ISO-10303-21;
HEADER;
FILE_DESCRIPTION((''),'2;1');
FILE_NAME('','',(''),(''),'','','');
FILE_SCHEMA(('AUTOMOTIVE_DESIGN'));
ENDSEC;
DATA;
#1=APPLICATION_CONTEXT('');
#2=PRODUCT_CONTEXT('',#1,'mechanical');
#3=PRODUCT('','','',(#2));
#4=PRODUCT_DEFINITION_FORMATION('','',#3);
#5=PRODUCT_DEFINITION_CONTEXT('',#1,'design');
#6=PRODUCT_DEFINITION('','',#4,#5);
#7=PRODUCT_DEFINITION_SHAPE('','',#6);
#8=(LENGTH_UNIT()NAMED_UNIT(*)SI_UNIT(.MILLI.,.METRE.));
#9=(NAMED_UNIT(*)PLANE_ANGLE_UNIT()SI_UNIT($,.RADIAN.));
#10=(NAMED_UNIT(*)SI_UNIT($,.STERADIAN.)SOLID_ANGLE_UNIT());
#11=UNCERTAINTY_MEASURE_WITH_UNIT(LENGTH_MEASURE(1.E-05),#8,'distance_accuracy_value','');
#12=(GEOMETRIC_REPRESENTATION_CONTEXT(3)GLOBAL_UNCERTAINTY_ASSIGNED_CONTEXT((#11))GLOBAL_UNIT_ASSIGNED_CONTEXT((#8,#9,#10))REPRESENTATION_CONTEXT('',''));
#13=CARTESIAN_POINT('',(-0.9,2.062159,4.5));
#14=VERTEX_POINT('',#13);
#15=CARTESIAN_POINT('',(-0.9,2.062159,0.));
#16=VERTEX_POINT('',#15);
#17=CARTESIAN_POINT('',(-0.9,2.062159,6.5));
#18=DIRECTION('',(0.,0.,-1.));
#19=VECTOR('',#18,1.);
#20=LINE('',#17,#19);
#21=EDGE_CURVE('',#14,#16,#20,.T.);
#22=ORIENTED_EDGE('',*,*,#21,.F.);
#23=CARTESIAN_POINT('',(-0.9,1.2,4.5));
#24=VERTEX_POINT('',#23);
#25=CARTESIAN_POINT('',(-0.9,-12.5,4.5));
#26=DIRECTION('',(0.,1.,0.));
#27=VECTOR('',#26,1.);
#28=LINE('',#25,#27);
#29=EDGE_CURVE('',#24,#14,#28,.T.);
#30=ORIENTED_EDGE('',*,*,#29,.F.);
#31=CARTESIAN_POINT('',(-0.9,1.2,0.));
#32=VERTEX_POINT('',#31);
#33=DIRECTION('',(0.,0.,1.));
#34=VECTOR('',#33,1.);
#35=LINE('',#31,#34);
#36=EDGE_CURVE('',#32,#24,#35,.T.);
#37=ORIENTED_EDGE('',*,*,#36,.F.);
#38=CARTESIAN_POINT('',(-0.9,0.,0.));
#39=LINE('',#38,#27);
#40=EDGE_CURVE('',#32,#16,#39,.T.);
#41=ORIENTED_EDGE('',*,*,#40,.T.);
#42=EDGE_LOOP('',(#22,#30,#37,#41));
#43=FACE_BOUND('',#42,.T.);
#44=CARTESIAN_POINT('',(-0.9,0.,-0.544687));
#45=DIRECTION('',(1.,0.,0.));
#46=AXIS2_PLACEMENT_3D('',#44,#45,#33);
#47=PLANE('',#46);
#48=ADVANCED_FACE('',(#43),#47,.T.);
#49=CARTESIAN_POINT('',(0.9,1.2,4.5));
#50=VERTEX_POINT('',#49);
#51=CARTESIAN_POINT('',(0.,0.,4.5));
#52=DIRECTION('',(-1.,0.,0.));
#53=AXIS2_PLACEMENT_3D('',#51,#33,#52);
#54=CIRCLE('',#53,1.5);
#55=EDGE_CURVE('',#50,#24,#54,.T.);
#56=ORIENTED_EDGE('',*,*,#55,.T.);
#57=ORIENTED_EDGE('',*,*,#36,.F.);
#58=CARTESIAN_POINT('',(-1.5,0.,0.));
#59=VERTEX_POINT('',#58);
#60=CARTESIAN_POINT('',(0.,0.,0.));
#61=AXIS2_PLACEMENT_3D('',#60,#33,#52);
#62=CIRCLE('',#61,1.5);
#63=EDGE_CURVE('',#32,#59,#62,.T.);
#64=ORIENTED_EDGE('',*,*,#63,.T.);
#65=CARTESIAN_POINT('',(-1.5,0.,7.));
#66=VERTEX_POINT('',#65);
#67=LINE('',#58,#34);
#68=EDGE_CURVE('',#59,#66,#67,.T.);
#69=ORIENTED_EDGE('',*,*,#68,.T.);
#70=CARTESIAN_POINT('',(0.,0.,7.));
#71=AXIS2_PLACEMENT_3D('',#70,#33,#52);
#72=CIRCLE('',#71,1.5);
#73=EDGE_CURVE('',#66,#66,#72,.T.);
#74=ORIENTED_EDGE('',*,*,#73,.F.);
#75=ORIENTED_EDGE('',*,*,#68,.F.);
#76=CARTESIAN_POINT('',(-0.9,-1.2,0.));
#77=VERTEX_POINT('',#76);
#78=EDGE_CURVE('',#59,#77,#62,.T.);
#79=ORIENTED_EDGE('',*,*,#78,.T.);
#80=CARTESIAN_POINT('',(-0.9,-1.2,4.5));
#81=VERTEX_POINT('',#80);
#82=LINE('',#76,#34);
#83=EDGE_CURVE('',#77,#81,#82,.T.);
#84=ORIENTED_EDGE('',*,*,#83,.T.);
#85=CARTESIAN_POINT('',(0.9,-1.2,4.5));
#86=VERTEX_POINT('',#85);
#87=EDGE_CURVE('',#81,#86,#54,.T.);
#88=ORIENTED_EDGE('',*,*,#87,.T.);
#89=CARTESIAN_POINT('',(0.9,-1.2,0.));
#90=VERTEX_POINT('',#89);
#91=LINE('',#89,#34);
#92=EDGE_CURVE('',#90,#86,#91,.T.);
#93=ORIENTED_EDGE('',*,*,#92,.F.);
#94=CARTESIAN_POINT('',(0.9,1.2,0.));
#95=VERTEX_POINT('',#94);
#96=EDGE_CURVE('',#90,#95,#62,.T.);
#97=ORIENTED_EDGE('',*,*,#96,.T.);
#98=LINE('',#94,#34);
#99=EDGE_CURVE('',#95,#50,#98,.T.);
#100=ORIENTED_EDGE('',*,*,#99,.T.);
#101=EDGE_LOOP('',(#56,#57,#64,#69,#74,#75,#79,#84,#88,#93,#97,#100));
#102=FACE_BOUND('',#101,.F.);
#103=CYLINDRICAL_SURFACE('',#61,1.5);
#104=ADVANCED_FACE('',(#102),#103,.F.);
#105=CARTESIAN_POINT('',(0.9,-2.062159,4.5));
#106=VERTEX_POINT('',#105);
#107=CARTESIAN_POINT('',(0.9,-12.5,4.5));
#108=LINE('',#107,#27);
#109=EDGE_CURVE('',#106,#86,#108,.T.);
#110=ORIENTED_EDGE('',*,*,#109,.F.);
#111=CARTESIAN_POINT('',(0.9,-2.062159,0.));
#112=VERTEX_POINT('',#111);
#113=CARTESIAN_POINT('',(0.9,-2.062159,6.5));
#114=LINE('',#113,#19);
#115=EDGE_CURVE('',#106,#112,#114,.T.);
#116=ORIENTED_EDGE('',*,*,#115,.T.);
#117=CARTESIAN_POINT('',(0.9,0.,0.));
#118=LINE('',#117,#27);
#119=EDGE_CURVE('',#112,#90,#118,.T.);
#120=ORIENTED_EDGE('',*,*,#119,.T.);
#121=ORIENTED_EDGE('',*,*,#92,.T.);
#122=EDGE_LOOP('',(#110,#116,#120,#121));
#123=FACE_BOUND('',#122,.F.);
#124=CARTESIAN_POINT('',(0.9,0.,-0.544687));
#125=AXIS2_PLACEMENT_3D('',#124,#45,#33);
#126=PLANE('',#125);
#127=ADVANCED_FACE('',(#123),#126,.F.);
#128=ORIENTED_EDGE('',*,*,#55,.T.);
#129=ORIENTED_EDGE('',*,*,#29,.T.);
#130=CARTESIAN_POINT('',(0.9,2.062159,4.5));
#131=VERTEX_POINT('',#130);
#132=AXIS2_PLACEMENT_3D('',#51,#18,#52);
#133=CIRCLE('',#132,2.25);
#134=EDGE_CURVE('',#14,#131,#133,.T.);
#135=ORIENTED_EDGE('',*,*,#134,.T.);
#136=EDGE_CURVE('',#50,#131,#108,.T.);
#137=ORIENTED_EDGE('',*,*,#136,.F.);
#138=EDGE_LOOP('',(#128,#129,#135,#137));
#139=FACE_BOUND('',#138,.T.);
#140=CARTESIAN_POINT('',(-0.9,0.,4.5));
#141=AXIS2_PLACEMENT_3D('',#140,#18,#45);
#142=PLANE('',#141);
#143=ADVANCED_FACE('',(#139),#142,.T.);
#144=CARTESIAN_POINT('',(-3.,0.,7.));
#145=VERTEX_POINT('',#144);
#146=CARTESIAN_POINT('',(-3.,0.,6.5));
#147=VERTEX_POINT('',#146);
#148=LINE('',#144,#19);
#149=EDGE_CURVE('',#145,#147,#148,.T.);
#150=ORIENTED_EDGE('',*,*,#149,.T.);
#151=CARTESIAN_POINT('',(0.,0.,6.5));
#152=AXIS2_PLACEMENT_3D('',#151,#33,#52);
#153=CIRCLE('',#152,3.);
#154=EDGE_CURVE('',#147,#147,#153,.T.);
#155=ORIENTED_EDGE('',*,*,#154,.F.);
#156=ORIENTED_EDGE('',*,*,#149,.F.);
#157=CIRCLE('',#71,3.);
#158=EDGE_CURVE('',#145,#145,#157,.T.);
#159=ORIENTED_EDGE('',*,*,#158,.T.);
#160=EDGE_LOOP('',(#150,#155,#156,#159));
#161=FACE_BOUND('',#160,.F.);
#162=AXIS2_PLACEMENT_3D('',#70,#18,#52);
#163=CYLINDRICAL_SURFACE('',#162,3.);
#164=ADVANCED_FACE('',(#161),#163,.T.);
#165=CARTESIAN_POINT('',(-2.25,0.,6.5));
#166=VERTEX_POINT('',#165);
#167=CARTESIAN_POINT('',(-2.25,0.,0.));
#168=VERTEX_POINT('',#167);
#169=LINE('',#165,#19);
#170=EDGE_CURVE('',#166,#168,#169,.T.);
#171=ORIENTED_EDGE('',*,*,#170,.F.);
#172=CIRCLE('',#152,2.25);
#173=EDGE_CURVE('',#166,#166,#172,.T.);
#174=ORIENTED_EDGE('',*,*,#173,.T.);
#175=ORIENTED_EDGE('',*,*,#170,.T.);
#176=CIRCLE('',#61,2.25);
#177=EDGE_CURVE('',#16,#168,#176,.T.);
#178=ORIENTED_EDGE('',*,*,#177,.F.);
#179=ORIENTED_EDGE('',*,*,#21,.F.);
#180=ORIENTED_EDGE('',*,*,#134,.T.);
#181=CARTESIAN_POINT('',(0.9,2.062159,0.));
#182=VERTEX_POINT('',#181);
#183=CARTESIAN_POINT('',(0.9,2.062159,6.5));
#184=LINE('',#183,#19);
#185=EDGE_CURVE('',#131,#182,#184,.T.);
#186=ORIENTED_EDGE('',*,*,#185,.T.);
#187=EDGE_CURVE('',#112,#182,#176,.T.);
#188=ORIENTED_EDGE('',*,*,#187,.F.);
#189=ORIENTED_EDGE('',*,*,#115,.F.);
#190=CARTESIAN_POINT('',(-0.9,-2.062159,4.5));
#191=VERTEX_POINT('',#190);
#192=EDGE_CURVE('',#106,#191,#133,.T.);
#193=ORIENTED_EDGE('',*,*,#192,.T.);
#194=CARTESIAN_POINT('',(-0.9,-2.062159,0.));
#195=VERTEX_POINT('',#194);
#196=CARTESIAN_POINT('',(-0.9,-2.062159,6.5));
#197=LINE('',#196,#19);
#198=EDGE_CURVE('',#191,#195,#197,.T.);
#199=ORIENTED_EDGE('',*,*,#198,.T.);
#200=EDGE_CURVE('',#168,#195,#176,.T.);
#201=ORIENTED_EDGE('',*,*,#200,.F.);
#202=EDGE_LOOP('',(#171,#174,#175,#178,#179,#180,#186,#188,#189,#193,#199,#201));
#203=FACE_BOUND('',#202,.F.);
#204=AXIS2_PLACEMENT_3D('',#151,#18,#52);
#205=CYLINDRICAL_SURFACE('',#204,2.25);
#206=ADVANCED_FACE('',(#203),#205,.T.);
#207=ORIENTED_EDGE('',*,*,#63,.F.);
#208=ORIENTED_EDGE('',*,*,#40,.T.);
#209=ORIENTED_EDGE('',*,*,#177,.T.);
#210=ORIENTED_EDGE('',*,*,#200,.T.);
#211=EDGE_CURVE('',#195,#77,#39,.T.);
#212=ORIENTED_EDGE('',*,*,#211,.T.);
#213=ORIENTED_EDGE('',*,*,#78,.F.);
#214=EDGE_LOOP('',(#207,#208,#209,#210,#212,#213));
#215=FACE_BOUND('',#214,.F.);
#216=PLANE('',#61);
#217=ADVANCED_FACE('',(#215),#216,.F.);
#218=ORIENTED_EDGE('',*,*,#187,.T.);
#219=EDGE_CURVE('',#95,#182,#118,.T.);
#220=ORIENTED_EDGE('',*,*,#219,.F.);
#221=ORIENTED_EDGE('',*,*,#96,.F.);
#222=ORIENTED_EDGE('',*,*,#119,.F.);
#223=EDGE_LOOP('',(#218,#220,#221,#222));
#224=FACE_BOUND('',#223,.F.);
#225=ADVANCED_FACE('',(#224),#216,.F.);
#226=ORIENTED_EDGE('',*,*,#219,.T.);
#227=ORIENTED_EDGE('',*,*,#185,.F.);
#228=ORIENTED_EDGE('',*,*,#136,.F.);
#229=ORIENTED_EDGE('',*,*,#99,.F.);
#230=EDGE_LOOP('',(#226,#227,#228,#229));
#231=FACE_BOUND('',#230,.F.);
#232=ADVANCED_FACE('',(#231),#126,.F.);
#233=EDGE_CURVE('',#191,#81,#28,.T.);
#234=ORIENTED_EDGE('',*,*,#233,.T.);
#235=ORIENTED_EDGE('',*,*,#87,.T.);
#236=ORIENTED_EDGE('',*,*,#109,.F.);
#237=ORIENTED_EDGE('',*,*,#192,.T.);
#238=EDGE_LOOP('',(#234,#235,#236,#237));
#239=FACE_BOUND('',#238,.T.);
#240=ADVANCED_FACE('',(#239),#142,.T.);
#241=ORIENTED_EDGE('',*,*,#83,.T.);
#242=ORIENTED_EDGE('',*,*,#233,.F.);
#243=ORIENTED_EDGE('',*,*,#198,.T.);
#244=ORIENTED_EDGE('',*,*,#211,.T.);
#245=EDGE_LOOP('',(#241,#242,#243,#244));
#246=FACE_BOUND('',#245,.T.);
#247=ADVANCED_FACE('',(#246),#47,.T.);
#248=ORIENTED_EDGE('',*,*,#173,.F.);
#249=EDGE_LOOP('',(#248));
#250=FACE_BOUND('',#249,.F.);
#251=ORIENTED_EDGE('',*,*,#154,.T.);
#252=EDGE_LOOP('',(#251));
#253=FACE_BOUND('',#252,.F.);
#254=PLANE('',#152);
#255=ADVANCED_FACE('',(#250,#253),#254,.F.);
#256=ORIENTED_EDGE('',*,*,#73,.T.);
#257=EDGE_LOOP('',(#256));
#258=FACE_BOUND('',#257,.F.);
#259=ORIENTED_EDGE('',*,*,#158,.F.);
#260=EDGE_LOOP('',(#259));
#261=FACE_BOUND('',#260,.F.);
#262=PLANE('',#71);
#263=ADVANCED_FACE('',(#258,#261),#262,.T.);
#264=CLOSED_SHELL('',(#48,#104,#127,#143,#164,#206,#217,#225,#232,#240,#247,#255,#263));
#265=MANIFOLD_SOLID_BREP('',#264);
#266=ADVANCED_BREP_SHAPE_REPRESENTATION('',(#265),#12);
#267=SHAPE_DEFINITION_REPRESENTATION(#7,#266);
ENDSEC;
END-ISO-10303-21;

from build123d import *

# Parameters (mm, degrees)
F2_W     = 1.8
F2_H     = 5.0446866744
F3_DEPTH = 12.5


with BuildPart() as f1:
    # F0 (on Front) → F1 (revolve)
    with BuildSketch(Plane.XZ):
        Polygon((-2.25, 0), (-1.5, 0), (-1.5, 7), (-3, 7), (-3, 6.5), (-2.25, 6.5), align=None)
    revolve(axis=Axis((0, 0, 1.9970234007), (0, 0, 1)))

    # F2 (on Front) → F3 (cut, symmetric)
    with BuildSketch(Plane.XZ):
        with Locations((0, 1.9776566628)):
            Rectangle(F2_W, F2_H)
    extrude(amount=F3_DEPTH, both=True, mode=Mode.SUBTRACT)


solid = f1.part
